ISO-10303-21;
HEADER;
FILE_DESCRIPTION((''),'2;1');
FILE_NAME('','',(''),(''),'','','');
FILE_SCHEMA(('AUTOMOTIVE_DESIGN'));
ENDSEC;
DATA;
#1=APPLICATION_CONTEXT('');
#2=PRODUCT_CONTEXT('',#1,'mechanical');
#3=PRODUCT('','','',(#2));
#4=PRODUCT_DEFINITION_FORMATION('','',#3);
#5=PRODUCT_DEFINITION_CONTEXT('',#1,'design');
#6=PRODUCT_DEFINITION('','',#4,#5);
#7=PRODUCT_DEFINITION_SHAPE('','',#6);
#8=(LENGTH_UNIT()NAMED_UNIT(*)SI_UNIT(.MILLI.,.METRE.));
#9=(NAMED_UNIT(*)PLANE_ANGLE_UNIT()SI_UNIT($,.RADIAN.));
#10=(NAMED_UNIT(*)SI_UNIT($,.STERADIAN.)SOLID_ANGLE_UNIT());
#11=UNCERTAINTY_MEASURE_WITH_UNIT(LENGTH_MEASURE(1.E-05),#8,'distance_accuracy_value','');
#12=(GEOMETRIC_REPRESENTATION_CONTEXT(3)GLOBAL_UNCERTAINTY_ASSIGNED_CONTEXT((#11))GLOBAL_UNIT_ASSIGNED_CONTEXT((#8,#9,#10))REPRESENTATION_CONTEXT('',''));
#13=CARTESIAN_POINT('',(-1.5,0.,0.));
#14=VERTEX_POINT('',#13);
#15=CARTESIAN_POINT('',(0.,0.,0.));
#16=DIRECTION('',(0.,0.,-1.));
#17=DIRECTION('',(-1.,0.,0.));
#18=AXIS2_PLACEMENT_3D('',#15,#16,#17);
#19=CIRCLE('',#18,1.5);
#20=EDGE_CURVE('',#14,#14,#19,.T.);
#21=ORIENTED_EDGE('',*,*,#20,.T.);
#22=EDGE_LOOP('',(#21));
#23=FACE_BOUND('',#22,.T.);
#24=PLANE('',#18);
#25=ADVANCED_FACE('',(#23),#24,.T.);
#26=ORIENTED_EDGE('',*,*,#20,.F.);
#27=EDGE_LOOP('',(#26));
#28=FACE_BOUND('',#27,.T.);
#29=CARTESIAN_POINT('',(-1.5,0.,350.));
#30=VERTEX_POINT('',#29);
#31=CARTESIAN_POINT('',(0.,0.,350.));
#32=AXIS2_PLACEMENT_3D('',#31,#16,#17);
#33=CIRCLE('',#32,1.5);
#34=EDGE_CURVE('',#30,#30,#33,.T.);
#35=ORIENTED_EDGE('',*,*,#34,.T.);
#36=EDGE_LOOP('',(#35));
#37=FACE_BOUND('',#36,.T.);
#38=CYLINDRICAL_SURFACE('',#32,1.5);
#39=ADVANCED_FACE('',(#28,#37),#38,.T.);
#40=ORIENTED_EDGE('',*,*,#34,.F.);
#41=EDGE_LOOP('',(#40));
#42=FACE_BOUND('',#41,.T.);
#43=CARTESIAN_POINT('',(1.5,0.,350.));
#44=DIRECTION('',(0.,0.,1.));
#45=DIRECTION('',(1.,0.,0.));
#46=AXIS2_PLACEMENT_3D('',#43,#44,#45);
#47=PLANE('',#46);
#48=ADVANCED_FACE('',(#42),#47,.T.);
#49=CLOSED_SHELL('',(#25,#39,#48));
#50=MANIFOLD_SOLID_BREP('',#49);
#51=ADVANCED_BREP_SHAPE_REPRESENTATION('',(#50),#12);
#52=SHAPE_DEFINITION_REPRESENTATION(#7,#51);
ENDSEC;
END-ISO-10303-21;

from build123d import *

# Parameters (mm, degrees)
SKETCH1_W = 1.5
SKETCH1_H = 350


with BuildPart() as part:
    # Sketch1 → Revolve1 (revolve)
    with BuildSketch(Plane.XZ, mode=Mode.PRIVATE) as revolve1_sk:
        with Locations((0.75, 175)):
            Rectangle(SKETCH1_W, SKETCH1_H)
    revolve(revolve1_sk.sketch.rotate(Axis((0, 0, 350), (0, 0, -1)), 180), axis=Axis((0, 0, 350), (0, 0, -1)))


solid = part.part
